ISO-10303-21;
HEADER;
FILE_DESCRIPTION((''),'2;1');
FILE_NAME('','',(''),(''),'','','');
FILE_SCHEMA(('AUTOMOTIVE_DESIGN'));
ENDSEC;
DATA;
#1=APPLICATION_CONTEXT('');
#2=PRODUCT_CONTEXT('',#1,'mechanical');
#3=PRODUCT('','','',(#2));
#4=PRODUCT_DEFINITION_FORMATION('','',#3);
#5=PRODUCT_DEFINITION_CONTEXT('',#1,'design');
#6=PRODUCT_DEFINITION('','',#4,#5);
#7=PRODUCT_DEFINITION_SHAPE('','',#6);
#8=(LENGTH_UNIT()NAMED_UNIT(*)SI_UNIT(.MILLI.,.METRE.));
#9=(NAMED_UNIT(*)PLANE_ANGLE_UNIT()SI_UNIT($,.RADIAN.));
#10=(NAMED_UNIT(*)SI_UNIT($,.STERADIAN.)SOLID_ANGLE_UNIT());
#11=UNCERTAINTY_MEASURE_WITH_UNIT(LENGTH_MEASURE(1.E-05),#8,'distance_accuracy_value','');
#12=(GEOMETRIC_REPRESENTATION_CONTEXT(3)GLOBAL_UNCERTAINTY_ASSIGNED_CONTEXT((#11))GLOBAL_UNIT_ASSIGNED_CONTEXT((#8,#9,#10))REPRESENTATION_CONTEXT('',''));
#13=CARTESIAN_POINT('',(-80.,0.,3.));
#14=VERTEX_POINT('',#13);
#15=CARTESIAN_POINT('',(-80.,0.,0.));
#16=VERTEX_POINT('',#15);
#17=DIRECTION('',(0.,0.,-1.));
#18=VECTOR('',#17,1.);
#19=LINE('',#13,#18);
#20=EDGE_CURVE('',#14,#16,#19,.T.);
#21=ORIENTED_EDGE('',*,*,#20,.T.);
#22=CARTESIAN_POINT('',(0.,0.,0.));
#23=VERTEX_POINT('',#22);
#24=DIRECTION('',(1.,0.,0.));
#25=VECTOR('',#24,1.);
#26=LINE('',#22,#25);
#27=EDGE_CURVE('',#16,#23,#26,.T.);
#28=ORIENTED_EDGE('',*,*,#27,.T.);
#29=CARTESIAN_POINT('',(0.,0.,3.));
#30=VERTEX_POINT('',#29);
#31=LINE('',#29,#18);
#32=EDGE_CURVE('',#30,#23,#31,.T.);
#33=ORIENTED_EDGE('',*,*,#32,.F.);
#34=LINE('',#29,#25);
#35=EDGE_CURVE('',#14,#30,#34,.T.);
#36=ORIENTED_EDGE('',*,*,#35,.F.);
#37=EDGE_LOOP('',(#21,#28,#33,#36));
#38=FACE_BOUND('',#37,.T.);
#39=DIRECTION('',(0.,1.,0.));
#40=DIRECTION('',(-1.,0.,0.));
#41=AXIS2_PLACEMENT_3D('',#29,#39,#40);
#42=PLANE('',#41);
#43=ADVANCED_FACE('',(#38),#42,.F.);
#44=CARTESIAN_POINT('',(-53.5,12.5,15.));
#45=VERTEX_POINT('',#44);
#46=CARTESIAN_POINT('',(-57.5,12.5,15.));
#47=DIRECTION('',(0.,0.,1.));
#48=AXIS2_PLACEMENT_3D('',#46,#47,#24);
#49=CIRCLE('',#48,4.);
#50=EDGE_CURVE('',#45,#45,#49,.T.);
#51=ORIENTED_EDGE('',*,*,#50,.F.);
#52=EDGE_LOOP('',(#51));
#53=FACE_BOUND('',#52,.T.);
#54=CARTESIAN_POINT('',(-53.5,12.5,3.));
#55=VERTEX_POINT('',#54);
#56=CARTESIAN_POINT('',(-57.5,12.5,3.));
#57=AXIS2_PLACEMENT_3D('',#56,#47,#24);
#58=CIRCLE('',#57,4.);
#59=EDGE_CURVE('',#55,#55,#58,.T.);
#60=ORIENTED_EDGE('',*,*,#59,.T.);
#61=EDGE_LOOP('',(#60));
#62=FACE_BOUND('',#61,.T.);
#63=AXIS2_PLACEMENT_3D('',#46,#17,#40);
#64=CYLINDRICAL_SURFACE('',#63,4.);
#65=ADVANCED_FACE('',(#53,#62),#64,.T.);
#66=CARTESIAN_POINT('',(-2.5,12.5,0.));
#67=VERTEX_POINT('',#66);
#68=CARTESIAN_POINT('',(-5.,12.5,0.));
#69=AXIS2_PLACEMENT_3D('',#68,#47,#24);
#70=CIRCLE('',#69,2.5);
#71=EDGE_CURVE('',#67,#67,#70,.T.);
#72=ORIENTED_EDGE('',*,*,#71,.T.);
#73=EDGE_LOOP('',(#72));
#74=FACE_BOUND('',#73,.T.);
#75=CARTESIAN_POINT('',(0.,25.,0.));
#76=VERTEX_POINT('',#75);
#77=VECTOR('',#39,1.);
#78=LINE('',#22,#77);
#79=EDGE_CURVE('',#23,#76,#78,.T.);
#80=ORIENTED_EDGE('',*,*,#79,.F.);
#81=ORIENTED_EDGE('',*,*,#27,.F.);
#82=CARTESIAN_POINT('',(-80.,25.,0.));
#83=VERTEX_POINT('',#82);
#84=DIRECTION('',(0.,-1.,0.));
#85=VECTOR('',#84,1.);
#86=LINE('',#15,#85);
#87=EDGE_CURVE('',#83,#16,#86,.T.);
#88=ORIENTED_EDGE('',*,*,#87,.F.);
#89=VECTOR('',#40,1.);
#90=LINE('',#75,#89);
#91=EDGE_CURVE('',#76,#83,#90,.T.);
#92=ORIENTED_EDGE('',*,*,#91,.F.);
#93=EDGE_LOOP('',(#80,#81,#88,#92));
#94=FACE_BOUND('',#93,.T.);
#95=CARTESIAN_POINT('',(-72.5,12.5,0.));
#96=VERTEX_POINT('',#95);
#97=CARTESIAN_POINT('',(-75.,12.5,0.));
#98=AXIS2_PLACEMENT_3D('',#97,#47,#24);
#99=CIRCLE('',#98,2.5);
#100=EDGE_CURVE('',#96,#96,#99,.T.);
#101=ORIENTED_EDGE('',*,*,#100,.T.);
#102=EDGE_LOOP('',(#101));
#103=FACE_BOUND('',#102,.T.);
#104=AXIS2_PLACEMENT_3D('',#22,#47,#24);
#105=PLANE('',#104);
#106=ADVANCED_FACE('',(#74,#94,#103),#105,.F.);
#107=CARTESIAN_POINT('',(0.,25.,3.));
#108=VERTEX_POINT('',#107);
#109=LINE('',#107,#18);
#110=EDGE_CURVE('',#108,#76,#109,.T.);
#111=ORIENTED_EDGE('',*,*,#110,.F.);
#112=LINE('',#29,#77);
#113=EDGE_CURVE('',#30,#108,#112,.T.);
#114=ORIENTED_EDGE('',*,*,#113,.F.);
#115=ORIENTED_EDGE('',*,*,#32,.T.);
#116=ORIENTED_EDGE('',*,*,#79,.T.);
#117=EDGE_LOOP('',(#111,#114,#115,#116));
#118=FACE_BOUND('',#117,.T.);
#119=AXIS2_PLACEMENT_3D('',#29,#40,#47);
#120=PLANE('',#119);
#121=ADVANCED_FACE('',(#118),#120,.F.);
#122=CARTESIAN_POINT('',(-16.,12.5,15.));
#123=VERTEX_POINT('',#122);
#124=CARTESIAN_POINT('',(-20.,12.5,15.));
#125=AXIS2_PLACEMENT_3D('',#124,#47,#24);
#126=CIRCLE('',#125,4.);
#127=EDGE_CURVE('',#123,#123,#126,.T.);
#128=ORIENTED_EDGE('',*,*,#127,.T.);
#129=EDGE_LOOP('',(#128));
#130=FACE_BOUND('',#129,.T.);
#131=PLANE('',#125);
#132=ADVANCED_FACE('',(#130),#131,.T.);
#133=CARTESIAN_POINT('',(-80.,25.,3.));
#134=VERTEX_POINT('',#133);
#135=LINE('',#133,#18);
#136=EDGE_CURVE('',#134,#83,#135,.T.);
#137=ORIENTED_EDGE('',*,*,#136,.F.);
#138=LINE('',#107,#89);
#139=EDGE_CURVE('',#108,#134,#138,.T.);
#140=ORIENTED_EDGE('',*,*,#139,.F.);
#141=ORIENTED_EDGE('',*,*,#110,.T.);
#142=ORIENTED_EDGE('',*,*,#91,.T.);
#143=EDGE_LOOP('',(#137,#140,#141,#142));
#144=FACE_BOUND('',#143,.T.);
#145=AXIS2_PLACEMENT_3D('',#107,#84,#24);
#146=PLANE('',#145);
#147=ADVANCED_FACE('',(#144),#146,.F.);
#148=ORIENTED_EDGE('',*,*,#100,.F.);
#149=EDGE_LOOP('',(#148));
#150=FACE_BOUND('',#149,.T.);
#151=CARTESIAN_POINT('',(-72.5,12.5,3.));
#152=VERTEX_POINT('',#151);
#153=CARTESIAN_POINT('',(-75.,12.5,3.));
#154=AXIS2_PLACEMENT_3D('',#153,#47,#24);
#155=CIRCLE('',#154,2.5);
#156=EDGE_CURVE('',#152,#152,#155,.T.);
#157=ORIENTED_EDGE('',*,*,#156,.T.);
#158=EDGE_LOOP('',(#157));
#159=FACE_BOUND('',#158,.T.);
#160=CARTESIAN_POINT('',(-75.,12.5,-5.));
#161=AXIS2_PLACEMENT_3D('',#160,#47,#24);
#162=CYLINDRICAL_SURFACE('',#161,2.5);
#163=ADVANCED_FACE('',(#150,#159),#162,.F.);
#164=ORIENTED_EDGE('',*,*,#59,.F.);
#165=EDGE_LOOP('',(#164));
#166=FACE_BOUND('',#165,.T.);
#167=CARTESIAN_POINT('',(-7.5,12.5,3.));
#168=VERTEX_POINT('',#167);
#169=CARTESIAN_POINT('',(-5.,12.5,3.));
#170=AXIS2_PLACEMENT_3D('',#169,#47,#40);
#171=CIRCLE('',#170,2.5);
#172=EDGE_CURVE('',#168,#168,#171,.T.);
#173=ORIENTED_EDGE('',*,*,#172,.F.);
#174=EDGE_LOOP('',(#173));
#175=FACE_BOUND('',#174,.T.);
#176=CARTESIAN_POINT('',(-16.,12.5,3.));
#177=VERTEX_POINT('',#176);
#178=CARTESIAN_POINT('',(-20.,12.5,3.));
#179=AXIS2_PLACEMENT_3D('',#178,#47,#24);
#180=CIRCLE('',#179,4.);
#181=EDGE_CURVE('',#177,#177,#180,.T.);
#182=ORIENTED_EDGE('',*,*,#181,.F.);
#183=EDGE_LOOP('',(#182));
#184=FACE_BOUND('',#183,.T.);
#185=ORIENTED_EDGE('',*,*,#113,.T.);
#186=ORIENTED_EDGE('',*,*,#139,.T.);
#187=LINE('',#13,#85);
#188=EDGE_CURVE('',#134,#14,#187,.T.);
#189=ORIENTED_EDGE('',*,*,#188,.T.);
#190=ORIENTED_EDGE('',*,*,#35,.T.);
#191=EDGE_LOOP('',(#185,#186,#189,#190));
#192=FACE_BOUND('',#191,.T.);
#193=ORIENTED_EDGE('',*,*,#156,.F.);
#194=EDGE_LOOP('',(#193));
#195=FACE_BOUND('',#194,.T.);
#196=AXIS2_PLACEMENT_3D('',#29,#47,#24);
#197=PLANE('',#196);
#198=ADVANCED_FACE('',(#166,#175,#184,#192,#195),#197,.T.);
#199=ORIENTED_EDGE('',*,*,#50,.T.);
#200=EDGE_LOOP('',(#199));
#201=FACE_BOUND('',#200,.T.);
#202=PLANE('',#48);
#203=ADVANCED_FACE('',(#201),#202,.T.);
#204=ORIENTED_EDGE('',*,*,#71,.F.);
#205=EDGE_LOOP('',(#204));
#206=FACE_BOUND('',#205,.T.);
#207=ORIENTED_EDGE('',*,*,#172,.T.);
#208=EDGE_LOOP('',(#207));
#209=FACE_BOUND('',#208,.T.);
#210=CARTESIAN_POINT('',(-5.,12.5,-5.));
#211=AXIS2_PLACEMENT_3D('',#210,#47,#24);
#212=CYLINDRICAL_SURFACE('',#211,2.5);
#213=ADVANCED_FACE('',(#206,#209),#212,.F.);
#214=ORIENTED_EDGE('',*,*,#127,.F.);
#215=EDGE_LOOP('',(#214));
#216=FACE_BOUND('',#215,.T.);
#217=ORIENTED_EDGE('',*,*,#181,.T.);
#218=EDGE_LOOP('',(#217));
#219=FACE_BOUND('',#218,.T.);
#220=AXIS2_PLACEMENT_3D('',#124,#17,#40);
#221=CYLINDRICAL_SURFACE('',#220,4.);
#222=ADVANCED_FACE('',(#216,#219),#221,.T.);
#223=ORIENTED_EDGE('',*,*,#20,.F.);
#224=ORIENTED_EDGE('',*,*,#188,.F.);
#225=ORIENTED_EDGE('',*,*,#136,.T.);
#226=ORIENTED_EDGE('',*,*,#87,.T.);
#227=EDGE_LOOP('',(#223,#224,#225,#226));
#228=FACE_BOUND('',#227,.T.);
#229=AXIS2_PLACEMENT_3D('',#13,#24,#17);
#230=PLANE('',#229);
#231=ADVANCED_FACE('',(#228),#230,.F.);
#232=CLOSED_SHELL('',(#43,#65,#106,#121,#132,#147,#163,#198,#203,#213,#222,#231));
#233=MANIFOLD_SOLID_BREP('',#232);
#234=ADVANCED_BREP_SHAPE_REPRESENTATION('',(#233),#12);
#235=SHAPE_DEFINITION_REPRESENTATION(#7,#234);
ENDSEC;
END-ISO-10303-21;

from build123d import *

# Parameters (mm, degrees)
SKETCH1_W           = 80
SKETCH1_H           = 25
BOSS_EXTRUDE1_DEPTH = 3
SKETCH2_R           = 4
BOSS_EXTRUDE2_DEPTH = 12
SKETCH3_R           = 2.5
CUT_EXTRUDE1_DEPTH  = 8


with BuildPart() as part:
    # Sketch1 → Boss-Extrude1 (new body)
    with BuildSketch(Plane.XY):
        with Locations((-40, 12.5)):
            Rectangle(SKETCH1_W, SKETCH1_H)
    extrude(amount=BOSS_EXTRUDE1_DEPTH)

    # Sketch2 → Boss-Extrude2 (add)
    with BuildSketch(Plane.XY.offset(3)):
        with Locations((-57.5, 12.5)):
            Circle(SKETCH2_R)
        with Locations((-20, 12.5)):
            Circle(SKETCH2_R)
    extrude(amount=BOSS_EXTRUDE2_DEPTH)

    # Sketch3 → Cut-Extrude1 (cut)
    with BuildSketch(Plane.XY.offset(3)):
        with Locations((-75, 12.5)):
            Circle(SKETCH3_R)
        with Locations((-5, 12.5)):
            Circle(SKETCH3_R)
    extrude(amount=-CUT_EXTRUDE1_DEPTH, mode=Mode.SUBTRACT)


solid = part.part
